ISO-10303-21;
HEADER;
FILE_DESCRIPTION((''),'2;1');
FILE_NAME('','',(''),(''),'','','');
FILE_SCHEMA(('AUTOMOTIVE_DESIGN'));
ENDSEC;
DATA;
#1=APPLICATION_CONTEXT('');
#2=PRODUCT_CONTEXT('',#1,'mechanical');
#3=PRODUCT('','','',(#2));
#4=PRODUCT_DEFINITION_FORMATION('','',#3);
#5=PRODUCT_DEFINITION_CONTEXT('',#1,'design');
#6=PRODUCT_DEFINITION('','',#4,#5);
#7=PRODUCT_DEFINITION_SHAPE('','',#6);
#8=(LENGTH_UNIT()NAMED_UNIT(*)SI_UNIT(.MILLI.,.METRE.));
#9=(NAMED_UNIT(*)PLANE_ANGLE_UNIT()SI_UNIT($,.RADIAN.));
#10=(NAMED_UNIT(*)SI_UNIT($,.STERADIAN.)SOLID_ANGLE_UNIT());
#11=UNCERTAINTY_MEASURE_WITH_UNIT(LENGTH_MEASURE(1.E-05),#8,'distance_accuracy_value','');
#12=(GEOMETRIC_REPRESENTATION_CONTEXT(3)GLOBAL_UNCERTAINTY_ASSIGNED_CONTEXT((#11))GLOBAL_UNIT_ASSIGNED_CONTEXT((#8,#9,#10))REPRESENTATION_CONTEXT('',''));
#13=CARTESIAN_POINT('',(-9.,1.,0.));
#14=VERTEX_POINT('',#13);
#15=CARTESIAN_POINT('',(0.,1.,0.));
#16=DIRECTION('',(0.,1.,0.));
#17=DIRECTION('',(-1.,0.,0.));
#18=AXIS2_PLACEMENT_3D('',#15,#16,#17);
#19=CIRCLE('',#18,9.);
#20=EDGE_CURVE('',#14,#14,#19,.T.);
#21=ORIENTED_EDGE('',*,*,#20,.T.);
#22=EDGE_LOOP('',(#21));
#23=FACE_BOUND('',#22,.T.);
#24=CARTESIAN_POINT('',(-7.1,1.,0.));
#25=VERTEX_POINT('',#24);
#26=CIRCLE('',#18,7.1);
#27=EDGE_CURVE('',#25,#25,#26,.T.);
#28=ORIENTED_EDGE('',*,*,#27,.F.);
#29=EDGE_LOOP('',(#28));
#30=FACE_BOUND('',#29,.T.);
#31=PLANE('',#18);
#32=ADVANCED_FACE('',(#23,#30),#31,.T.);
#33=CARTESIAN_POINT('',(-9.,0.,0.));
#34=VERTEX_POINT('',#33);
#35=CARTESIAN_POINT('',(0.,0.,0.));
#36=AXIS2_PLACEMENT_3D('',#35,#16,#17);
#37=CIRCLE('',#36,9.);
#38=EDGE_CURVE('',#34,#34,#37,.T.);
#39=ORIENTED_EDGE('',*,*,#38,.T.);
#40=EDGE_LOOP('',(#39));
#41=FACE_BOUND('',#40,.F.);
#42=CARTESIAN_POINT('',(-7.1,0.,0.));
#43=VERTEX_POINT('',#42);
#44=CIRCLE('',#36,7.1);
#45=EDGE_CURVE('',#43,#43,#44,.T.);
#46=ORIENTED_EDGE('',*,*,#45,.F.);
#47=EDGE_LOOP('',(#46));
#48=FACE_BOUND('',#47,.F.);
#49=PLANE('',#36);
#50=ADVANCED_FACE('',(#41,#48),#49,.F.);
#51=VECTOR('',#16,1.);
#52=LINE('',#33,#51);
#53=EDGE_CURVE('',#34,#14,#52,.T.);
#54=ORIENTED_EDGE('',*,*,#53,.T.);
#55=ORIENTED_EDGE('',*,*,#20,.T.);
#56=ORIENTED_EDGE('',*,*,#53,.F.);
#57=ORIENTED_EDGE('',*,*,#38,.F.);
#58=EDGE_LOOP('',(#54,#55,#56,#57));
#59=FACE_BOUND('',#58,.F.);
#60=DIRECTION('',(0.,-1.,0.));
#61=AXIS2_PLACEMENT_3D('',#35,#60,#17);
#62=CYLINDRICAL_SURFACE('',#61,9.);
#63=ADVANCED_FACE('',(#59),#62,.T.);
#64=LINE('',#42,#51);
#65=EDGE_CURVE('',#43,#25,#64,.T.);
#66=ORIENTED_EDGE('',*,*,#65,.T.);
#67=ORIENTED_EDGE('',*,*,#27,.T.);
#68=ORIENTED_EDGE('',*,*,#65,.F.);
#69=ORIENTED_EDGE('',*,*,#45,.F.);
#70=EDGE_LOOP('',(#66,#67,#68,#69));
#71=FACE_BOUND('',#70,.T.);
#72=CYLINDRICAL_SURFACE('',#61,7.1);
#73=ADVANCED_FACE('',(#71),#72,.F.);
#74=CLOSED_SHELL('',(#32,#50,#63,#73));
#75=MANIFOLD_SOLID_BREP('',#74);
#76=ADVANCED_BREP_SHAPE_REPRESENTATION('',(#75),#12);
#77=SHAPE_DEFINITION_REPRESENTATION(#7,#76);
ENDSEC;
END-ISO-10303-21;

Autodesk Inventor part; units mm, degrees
ref_plane "YZ Plane" through (0, 0, 0) normal (1, 0, 0) x (0, 1, 0)
ref_plane "XZ Plane" through (0, 0, 0) normal (0, 1, 0) x (-1, 0, 0)
ref_plane "XY Plane" through (0, 0, 0) normal (0, 0, 1) x (1, 0, 0)
sketch "Sketch1" plane through (0, 0, 0) normal (0, 1, 0) x (-1, 0, 0)
  circle A0 centre (0, 0) radius 7.1
  circle A1 centre (0, 0) radius 9
  dimension "d0" = 14.2
  dimension "d1" = 18
extrude "Extrusion1" add sketch "Sketch1" along normal blind 1
properties part number "ArmSupportBearingSpacer"
